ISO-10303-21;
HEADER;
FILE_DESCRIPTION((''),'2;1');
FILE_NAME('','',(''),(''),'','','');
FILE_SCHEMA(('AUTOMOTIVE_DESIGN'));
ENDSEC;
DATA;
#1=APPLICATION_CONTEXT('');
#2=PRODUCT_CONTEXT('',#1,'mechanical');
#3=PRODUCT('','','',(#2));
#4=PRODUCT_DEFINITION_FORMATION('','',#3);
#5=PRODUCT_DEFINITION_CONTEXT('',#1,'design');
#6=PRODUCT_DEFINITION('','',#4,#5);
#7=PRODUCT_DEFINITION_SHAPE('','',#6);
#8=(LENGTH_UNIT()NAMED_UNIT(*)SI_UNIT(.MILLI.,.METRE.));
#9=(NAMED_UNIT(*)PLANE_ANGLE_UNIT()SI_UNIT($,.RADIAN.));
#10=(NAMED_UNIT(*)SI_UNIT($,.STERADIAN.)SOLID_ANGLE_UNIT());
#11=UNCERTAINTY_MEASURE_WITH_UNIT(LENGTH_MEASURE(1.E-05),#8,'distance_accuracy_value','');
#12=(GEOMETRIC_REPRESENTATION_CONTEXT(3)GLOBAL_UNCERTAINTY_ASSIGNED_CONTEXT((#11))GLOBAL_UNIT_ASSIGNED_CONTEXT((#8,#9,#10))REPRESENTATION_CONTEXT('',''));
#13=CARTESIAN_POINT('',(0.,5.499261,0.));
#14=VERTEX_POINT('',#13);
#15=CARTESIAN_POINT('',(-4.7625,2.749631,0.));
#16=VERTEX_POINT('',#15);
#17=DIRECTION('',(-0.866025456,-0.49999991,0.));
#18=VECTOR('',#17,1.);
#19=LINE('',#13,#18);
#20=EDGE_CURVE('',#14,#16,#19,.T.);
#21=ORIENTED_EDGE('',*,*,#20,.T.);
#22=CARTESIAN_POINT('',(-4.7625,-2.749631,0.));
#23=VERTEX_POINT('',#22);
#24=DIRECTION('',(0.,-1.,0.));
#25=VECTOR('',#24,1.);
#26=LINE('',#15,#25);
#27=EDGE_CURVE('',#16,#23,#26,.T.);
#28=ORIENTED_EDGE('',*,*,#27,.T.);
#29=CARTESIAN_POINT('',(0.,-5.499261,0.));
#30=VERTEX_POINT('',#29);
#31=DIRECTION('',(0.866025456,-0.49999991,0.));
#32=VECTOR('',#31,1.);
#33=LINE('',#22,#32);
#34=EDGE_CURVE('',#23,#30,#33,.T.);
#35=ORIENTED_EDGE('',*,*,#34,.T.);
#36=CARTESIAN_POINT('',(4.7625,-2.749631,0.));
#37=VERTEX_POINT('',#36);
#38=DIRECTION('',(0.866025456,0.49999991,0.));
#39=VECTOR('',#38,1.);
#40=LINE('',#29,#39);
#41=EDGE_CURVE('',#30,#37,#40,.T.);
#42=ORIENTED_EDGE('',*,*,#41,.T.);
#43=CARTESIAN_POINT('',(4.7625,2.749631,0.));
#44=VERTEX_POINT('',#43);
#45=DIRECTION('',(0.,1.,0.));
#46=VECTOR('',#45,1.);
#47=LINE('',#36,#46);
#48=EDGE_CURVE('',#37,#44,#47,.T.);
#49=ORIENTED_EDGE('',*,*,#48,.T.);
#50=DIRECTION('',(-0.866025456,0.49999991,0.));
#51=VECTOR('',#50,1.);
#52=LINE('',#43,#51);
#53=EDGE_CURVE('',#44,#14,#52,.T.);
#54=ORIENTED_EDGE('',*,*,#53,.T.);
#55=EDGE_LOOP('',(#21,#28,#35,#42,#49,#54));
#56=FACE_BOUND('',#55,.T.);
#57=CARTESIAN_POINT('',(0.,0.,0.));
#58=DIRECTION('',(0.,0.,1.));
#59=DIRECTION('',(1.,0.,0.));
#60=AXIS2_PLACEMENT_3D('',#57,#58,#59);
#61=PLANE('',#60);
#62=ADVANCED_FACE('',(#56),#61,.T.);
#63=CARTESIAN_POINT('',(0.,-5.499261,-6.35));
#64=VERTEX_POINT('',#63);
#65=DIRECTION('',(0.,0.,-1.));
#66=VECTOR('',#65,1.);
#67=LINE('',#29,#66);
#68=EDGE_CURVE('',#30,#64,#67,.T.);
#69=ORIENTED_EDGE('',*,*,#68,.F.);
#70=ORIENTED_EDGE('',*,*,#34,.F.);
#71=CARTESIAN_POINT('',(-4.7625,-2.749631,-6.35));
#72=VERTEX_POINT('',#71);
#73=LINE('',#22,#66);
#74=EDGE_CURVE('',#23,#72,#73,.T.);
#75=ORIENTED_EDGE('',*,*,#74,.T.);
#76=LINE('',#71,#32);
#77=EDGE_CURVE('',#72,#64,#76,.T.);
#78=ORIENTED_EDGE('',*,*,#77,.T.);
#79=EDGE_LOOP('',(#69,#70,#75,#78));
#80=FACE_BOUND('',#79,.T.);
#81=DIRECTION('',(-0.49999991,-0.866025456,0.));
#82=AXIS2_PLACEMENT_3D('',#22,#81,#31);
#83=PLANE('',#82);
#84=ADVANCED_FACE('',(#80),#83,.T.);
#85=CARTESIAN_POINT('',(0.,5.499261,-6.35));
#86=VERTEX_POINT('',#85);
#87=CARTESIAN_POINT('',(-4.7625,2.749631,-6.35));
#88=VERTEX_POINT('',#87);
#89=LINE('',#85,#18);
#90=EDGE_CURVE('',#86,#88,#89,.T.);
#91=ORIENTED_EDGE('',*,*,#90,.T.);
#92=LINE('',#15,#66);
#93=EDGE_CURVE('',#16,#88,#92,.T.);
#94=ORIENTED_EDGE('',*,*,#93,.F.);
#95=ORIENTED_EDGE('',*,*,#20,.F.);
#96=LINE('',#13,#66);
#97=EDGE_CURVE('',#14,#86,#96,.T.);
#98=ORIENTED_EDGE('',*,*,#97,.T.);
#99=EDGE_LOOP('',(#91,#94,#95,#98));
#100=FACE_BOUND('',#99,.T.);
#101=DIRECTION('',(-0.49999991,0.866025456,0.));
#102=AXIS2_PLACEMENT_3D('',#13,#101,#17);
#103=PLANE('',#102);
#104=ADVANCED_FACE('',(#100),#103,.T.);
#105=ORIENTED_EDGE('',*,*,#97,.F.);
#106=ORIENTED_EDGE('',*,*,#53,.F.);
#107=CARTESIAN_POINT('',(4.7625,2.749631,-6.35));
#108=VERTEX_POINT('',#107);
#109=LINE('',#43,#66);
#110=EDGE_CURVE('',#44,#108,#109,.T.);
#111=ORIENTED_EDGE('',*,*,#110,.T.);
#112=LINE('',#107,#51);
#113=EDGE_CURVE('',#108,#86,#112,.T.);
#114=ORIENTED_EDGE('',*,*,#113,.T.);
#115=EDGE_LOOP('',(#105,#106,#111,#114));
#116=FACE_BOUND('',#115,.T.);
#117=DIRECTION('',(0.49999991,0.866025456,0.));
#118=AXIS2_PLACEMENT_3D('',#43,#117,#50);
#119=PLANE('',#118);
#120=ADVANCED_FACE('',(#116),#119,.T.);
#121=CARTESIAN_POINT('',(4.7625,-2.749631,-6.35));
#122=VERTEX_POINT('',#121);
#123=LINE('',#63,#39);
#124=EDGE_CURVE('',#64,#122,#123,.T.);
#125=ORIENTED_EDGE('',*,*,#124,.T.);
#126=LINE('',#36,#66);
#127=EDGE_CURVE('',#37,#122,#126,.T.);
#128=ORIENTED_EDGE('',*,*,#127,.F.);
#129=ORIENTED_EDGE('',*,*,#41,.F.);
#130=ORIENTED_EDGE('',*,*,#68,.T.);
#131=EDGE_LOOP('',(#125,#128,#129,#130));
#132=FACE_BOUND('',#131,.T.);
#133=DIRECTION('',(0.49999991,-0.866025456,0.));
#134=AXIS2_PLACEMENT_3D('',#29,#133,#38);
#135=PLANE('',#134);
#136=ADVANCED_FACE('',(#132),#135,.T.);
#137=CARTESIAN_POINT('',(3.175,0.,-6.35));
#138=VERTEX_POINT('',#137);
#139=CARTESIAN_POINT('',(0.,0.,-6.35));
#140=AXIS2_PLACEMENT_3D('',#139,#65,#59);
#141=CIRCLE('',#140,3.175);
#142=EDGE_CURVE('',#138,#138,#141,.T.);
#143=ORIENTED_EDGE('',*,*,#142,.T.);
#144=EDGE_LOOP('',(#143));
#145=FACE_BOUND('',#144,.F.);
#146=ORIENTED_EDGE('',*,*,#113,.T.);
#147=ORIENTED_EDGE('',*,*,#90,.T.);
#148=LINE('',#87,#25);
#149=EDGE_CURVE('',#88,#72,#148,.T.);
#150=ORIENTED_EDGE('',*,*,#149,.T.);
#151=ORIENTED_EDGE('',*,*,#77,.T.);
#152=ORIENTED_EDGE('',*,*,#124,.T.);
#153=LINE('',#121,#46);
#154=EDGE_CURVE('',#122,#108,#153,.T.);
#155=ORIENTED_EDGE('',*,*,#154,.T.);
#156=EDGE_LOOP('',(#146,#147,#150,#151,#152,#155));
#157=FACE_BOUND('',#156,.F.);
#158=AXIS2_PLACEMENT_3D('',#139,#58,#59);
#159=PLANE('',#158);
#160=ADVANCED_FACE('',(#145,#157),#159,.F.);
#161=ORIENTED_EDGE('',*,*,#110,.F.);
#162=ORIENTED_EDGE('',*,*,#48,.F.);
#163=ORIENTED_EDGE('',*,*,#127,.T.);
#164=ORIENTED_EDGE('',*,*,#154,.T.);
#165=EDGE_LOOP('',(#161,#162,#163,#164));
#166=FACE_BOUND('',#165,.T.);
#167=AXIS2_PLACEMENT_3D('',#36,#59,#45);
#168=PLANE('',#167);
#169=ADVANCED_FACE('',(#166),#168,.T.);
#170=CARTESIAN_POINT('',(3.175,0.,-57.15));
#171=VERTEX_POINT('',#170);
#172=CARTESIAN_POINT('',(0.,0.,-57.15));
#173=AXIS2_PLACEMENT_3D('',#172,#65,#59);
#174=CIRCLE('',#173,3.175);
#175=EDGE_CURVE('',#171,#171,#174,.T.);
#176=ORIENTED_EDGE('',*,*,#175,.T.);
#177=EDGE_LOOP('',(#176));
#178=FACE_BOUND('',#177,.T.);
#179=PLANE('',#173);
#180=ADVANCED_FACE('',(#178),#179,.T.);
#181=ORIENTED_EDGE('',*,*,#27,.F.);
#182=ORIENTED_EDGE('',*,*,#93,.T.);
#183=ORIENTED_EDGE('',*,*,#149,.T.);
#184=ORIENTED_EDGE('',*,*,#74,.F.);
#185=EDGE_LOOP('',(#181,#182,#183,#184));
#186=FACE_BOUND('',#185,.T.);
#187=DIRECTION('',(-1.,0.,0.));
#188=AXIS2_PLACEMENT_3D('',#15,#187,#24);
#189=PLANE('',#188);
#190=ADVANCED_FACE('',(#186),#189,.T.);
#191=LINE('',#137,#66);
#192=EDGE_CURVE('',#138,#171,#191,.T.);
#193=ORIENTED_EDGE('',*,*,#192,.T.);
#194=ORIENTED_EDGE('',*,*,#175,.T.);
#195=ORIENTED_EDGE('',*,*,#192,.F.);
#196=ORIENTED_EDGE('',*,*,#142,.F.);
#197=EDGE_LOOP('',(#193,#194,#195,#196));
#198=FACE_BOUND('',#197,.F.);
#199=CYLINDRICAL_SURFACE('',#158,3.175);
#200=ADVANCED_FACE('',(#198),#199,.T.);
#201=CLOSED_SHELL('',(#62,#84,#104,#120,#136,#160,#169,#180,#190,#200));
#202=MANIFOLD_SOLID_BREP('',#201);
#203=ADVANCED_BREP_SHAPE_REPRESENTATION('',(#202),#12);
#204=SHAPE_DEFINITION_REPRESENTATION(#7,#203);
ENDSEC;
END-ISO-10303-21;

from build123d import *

# Parameters (mm, degrees)
PAD_DEPTH    = 6.35
SKETCH001_R  = 3.175
PAD001_DEPTH = 50.8


with BuildPart() as part:
    # Sketch → Pad (new body)
    with BuildSketch(Plane.XY):
        Polygon((4.7625, 2.749631), (0, 5.499261), (-4.7625, 2.749631), (-4.7625, -2.749631), (0, -5.499261), (4.7625, -2.749631), align=None)
    extrude(amount=-PAD_DEPTH)

    # Sketch001 (on Face8 of Pad) → Pad001 (join)
    with BuildSketch(Plane(origin=(0, 0, -6.35), x_dir=(1, 0, 0), z_dir=(0, 0, -1))):
        Circle(SKETCH001_R)
    extrude(amount=PAD001_DEPTH)


solid = part.part
